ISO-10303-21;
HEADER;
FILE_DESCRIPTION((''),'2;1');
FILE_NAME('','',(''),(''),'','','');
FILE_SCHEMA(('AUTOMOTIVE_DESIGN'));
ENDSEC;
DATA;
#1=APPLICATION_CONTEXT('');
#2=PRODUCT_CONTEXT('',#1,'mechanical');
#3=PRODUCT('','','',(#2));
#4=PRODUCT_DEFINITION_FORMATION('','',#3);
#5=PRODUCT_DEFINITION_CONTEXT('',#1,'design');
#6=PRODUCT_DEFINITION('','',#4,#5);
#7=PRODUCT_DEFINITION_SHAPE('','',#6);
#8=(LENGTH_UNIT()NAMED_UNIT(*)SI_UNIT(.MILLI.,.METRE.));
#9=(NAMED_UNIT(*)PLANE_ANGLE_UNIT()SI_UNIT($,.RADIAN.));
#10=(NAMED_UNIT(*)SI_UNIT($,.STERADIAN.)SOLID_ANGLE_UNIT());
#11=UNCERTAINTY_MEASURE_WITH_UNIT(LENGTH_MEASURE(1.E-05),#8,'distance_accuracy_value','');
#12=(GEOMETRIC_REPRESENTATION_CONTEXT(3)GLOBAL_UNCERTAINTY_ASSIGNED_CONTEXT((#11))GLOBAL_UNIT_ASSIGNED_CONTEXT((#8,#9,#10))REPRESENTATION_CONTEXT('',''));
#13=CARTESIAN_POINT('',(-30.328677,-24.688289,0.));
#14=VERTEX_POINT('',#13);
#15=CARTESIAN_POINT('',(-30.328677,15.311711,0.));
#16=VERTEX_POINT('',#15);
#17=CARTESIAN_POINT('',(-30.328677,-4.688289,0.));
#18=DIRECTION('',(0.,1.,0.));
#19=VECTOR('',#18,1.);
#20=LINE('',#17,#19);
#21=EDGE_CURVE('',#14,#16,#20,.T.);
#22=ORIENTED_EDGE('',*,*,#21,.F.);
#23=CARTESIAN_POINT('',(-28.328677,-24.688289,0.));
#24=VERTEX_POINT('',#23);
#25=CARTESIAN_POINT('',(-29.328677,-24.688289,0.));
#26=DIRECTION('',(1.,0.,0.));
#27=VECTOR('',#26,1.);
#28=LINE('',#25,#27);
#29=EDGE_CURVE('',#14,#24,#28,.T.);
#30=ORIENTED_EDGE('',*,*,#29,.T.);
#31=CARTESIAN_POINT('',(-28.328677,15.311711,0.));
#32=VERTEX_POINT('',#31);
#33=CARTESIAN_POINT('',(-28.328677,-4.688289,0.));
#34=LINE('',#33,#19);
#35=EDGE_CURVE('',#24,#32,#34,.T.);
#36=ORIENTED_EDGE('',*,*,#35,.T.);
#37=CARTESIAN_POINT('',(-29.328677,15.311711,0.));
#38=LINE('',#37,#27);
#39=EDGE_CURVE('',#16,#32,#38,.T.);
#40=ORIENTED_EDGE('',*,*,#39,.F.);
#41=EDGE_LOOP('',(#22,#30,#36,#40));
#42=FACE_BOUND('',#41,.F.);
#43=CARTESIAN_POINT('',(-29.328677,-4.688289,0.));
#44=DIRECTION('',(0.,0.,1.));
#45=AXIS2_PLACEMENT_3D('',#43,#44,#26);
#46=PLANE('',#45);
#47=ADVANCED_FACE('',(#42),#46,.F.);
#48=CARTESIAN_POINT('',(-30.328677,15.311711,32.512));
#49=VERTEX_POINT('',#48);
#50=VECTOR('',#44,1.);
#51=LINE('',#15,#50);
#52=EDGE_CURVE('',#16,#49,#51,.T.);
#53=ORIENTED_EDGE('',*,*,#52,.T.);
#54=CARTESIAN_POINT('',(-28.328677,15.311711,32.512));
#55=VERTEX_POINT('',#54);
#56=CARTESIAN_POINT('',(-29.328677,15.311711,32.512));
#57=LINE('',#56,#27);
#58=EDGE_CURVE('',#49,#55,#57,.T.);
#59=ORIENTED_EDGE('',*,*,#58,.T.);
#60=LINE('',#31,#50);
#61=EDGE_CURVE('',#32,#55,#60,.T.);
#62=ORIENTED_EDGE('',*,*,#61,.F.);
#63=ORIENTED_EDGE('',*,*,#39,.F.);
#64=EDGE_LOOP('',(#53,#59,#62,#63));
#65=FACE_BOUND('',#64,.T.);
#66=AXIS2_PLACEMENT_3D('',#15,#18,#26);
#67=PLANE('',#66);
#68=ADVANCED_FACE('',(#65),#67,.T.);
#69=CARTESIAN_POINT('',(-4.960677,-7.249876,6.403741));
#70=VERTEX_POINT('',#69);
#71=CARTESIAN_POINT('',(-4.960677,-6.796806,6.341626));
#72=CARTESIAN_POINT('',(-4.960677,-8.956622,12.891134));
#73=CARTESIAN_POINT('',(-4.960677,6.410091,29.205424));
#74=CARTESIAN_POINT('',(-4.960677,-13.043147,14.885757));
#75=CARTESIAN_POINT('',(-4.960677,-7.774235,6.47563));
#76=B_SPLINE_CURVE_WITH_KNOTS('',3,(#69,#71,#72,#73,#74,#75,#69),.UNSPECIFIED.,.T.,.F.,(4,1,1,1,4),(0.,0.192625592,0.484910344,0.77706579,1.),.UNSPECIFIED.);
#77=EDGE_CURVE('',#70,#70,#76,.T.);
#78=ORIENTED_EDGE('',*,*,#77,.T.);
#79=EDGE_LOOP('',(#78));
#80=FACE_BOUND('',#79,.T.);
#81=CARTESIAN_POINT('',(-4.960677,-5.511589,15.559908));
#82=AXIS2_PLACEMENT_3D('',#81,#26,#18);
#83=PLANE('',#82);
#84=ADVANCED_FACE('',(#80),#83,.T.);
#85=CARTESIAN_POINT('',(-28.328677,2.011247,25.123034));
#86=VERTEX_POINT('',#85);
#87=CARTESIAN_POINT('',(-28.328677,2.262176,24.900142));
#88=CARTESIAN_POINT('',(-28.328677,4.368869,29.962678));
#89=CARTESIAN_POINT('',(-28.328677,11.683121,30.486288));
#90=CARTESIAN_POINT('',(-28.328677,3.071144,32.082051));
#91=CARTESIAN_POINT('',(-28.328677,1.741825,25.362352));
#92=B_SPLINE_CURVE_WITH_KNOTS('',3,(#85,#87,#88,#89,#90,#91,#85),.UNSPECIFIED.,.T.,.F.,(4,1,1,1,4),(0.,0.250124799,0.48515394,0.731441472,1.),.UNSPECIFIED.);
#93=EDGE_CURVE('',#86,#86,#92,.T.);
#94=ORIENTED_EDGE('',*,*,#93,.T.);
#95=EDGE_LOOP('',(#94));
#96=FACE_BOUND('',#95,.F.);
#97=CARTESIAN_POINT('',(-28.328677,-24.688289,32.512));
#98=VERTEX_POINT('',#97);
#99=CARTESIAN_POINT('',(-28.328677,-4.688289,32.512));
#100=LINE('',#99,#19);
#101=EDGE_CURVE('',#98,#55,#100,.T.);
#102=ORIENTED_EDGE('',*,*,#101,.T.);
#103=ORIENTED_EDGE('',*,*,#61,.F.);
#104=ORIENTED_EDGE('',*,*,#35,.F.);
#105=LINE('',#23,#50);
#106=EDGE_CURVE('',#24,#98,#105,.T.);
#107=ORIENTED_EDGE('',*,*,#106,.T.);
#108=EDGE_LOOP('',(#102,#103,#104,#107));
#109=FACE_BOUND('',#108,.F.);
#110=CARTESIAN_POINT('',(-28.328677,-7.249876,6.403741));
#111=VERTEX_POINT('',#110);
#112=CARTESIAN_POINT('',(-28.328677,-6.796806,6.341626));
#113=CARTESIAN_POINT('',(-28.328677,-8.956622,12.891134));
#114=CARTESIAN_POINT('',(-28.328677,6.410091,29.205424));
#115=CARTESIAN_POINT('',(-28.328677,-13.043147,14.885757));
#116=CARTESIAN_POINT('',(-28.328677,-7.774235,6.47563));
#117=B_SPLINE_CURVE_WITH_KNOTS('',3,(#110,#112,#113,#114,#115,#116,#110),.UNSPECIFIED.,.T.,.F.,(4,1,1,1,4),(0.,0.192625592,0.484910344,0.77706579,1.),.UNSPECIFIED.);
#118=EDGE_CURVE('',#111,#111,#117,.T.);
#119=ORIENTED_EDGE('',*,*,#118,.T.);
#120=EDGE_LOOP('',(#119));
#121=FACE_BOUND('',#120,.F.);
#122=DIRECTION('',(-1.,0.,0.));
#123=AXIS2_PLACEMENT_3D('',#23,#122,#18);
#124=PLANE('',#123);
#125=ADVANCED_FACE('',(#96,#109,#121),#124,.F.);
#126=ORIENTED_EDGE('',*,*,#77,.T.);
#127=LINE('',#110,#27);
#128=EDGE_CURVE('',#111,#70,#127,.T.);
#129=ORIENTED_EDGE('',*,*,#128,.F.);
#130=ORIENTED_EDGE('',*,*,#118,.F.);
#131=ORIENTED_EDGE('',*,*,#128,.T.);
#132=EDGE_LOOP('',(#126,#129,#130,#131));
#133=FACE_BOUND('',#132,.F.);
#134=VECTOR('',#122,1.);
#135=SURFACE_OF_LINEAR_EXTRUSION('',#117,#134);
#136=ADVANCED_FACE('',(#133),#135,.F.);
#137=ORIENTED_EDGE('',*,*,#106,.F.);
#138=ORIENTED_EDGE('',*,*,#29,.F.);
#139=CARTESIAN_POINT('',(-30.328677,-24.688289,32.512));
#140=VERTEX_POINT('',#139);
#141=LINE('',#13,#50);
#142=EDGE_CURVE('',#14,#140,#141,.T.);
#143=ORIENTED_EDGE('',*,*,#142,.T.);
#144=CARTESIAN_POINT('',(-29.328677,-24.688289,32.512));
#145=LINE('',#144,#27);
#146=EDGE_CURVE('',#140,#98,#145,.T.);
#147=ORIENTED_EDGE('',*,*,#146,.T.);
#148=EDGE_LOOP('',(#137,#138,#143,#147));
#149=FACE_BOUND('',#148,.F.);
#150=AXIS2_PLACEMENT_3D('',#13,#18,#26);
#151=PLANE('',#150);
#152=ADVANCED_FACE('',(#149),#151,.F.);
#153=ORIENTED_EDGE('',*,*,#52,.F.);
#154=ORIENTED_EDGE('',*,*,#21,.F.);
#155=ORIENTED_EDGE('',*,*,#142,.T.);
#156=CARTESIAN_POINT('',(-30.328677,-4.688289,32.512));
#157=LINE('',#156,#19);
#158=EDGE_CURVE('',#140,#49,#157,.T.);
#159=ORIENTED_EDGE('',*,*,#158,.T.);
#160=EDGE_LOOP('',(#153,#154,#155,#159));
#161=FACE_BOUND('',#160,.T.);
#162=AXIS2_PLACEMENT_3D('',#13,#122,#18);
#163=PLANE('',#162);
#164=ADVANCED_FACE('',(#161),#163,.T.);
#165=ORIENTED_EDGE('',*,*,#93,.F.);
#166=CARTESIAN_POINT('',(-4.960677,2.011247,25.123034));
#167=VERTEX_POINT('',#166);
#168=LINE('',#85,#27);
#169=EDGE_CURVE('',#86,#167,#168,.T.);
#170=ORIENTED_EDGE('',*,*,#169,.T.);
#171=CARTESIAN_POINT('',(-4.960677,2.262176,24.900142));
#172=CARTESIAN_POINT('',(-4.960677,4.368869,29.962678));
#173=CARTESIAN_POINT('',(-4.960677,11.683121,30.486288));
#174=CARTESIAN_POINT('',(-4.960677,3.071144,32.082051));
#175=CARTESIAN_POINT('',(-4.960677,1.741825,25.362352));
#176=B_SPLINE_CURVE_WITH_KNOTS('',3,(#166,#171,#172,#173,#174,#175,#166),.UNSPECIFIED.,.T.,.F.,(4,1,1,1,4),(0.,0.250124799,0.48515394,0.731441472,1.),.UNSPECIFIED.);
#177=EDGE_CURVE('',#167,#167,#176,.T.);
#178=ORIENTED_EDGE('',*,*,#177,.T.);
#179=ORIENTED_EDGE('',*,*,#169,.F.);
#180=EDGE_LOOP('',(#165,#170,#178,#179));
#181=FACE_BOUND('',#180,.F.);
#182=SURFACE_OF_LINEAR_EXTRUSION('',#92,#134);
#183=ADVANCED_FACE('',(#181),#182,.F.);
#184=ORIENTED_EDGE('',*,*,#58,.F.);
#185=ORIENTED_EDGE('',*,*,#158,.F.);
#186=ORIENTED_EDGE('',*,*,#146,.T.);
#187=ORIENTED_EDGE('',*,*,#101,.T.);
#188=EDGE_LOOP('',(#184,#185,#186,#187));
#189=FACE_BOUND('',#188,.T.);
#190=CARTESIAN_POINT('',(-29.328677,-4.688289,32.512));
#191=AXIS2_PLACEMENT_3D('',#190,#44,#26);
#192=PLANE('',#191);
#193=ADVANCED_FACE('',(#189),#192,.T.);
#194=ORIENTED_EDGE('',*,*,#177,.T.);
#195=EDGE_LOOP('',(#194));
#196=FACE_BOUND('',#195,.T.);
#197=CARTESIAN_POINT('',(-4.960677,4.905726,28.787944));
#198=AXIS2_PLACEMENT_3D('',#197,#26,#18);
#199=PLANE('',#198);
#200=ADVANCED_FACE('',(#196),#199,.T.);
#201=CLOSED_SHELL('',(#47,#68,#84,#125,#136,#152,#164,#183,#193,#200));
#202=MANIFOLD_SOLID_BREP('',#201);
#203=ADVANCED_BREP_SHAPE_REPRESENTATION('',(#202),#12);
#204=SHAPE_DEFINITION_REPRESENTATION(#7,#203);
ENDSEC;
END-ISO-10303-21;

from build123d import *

# Parameters (mm, degrees)
F0_W     = 2
F0_H     = 40
F1_DEPTH = 32.512
F4_DEPTH = 23.368
F5_DEPTH = 23.368


with BuildPart() as f1:
    # F0 (on Top) → F1 (new body)
    with BuildSketch(Plane.XY):
        with Locations((-29.3286769457, -4.6882890165)):
            Rectangle(F0_W, F0_H)
    extrude(amount=F1_DEPTH)

    # F2 (on face) → F4 (join)
    with BuildSketch(Plane.YZ.offset(-28.3286769457)):
        with BuildLine():
            add(Edge.make_bspline(
                [(-7.2498763911, 6.4037409611), (-6.7968060002, 6.3416258929), (-8.9566216359, 12.8911335708), (6.4100905567, 29.2054242189), (-13.0431466461, 14.8857573284), (-7.7742350092, 6.4756295065), (-7.2498763911, 6.4037409611)],
                knots=[0, 0, 0, 0, 0.1926255925, 0.4849103443, 0.7770657904, 1, 1, 1, 1], degree=3))
        make_face()
    extrude(amount=F4_DEPTH)

    # F3 (on face) → F5 (join)
    with BuildSketch(Plane.YZ.offset(-28.3286769457)):
        with BuildLine():
            add(Edge.make_bspline(
                [(2.0112469792, 25.1230336726), (2.2621760216, 24.9001418505), (4.3688694301, 29.9626783783), (11.6831212131, 30.4862882962), (3.0711443223, 32.0820507404), (1.7418249366, 25.3623522043), (2.0112469792, 25.1230336726)],
                knots=[0, 0, 0, 0, 0.2501247989, 0.4851539395, 0.7314414721, 1, 1, 1, 1], degree=3))
        make_face()
    extrude(amount=F5_DEPTH)


solid = f1.part
